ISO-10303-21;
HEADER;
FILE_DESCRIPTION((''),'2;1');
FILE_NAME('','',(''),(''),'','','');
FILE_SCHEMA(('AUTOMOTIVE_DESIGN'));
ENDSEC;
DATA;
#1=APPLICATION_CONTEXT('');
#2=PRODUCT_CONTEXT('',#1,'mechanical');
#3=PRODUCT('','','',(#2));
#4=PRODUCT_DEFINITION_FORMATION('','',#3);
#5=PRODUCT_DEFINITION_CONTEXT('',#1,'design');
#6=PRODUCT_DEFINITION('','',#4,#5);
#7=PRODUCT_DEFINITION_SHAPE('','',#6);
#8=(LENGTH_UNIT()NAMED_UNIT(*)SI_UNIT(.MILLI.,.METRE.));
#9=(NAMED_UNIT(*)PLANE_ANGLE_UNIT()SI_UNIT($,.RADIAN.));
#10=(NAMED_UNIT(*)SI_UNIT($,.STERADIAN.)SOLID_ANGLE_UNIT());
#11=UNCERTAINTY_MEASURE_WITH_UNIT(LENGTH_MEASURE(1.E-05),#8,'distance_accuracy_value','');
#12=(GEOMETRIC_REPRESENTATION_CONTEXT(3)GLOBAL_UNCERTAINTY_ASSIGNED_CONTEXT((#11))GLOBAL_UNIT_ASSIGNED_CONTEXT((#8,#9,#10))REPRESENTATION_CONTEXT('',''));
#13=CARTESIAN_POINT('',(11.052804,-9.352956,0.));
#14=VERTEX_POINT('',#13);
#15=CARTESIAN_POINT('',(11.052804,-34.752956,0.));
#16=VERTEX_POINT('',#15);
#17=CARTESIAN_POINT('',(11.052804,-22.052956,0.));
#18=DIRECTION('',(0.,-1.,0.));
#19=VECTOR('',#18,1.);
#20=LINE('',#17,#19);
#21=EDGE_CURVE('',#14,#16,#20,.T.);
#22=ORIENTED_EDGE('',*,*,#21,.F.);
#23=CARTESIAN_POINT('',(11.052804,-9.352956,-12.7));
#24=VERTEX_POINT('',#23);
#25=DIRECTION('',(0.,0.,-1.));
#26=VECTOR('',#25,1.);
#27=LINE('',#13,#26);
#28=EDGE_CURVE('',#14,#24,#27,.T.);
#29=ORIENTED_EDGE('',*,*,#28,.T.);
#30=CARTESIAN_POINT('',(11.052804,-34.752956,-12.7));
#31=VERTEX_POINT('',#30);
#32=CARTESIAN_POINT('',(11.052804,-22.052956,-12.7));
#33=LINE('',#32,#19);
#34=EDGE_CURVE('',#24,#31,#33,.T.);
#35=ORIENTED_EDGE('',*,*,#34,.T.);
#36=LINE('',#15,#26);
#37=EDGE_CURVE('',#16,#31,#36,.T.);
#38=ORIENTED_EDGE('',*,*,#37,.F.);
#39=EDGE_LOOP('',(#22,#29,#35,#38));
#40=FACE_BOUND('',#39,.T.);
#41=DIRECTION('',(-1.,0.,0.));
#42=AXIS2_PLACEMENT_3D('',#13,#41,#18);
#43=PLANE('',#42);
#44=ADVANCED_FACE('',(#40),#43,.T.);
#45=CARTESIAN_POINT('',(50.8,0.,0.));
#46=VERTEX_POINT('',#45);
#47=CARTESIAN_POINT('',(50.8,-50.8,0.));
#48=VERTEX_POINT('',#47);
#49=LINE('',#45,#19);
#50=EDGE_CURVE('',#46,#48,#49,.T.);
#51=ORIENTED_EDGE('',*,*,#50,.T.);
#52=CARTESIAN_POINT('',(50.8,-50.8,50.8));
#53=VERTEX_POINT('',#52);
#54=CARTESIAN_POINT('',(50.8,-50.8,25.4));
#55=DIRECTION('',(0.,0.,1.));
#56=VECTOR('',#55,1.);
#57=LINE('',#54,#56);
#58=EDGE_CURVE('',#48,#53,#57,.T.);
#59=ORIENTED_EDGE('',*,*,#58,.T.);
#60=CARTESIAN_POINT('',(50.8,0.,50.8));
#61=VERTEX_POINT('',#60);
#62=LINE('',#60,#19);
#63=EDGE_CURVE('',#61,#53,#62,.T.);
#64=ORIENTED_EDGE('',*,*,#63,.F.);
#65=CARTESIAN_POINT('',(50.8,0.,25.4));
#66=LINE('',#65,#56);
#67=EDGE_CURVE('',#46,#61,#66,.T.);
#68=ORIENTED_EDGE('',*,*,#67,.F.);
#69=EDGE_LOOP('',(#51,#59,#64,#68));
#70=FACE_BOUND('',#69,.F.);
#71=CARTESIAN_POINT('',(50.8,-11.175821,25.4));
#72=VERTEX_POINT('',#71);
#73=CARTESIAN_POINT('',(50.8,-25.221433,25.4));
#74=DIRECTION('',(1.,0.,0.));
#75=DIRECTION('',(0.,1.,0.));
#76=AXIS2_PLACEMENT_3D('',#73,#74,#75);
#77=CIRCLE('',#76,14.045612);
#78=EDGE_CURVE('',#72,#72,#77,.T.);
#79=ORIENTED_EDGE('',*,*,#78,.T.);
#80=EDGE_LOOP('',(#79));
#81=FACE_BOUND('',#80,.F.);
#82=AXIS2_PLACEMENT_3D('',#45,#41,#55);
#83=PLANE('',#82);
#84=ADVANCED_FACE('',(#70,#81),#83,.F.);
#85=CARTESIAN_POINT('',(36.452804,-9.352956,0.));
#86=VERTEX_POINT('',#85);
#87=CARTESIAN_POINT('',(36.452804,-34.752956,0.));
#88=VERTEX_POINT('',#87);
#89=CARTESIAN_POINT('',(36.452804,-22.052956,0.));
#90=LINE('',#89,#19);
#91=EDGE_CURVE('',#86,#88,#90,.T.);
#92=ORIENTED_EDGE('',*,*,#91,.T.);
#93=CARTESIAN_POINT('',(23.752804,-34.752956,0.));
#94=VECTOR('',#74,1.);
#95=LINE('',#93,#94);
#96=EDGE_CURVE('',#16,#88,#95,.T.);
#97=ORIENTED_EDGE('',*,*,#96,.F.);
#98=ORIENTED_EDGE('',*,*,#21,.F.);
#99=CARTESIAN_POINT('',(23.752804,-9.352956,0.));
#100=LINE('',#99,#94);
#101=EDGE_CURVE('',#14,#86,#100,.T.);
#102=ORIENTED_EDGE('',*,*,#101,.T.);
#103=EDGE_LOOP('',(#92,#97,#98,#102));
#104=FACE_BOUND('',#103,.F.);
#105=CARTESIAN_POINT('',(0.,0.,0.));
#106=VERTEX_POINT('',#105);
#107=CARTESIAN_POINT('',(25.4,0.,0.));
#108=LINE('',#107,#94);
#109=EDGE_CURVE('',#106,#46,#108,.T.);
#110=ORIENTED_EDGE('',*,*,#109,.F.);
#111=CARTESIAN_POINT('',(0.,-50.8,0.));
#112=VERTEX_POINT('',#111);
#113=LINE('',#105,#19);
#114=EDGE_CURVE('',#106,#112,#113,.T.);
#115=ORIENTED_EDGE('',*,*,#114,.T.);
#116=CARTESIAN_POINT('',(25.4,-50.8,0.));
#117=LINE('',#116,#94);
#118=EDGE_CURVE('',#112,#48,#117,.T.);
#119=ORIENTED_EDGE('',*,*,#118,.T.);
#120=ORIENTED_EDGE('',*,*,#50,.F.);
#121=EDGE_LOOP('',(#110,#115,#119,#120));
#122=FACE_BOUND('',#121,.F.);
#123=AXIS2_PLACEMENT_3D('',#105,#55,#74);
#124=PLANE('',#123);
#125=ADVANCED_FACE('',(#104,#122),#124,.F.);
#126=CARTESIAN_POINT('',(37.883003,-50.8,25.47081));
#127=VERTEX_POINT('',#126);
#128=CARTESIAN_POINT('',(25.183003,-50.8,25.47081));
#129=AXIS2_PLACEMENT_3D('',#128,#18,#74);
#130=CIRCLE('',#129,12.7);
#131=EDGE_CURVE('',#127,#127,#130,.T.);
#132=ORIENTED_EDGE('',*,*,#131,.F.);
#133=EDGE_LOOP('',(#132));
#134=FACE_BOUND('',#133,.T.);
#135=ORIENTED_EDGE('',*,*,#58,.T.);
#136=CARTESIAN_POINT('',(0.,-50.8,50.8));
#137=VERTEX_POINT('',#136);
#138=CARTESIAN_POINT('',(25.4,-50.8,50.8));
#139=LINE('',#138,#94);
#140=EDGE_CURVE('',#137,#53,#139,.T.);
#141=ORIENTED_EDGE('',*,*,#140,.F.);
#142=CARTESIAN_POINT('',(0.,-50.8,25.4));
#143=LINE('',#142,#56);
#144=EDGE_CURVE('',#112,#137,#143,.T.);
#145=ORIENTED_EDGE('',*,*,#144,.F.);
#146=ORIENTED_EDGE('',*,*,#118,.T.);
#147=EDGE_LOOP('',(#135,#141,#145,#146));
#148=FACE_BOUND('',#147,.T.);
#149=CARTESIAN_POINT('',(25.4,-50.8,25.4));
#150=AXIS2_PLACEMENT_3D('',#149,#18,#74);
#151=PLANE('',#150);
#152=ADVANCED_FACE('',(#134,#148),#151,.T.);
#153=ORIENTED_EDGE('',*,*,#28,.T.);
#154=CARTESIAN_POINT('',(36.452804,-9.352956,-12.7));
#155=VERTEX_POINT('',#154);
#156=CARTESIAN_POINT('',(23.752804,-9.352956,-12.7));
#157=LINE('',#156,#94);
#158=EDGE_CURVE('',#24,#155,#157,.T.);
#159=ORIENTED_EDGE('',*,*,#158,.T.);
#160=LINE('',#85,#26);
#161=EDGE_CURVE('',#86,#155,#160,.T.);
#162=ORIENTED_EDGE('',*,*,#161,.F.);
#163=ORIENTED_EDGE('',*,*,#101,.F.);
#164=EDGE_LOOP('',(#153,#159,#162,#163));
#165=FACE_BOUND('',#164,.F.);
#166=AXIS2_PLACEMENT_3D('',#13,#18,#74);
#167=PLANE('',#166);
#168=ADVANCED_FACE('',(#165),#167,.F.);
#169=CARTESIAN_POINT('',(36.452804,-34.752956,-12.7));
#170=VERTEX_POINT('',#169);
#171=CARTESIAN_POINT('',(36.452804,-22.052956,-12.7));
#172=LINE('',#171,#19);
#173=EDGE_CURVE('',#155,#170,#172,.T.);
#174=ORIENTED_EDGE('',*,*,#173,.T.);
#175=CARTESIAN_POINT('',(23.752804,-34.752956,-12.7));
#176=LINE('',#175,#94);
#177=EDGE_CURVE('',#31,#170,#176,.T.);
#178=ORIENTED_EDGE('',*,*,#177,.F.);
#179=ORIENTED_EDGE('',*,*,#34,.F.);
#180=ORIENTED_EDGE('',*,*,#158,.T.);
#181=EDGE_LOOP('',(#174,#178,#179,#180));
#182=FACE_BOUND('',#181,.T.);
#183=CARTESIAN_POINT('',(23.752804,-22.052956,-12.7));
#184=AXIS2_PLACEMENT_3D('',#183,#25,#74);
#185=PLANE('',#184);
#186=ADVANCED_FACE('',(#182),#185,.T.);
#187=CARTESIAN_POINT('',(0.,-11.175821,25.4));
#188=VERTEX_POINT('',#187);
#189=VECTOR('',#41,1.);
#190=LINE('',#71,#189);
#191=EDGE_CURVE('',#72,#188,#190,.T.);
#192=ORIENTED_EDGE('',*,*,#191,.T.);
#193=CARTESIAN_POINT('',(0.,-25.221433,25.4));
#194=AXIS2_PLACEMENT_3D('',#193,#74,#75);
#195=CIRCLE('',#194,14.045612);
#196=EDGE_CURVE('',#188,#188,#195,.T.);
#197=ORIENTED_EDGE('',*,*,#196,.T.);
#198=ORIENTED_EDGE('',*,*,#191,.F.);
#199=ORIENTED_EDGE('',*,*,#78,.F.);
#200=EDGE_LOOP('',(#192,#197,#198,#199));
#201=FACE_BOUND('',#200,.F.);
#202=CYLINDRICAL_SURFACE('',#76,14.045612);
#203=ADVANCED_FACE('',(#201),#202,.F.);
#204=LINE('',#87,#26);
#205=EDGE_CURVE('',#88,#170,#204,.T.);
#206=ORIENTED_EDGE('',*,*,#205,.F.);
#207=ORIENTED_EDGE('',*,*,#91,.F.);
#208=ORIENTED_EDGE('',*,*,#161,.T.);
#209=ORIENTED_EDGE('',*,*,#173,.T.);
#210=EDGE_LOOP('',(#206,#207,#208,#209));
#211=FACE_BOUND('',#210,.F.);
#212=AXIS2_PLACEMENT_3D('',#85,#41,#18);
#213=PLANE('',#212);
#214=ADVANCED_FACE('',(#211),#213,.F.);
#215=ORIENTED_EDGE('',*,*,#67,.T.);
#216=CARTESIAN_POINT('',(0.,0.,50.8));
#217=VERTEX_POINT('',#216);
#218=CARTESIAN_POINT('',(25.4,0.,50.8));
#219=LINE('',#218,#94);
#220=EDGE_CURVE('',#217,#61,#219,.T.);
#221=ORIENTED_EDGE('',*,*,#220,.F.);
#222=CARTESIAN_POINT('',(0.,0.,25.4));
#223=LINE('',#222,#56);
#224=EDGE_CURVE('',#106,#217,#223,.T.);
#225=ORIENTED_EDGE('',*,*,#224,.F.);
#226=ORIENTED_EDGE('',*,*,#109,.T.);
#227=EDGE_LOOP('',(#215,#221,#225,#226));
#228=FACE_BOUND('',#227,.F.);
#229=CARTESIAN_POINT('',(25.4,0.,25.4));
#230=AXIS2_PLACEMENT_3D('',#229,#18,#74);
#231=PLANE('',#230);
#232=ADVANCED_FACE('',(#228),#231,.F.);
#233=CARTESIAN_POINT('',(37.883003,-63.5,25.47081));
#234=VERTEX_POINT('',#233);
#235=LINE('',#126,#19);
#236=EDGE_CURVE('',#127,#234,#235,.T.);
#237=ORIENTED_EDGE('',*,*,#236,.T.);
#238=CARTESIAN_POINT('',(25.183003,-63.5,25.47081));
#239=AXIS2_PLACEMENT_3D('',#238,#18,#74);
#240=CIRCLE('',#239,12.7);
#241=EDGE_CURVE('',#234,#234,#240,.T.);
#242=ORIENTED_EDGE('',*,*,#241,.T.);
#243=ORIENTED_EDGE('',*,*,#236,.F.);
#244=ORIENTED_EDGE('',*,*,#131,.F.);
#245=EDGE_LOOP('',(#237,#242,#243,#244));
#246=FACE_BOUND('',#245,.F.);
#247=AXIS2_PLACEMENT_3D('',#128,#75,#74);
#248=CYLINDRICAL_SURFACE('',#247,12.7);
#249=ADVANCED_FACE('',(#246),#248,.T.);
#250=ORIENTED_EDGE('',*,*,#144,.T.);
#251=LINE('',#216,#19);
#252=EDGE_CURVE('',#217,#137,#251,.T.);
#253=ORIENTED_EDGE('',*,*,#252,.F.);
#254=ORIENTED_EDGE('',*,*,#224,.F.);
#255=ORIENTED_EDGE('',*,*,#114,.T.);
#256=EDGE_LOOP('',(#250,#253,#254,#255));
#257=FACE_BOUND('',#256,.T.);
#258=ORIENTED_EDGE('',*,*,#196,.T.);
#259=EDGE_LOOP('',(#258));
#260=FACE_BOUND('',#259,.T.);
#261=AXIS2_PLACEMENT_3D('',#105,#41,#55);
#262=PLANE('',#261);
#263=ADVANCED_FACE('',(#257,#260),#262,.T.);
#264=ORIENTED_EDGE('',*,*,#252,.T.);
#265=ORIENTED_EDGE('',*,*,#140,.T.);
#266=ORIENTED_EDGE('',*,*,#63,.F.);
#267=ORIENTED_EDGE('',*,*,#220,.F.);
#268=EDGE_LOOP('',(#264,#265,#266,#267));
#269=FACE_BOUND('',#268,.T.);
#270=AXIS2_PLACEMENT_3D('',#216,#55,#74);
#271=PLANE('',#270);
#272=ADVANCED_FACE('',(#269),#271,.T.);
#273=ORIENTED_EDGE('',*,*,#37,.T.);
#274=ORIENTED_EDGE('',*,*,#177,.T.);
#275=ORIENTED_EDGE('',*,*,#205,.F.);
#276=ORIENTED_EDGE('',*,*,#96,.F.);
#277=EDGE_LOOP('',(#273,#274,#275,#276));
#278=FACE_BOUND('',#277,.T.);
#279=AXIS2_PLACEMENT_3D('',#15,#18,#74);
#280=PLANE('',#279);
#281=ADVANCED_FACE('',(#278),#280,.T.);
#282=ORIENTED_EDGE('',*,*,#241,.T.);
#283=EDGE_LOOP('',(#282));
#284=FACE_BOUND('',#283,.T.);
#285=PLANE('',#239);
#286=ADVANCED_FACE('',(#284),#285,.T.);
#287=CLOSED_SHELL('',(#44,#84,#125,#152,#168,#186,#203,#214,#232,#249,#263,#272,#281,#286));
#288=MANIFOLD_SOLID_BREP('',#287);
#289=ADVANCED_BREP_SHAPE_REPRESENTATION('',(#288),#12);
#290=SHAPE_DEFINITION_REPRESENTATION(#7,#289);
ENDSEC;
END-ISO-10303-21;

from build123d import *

# Parameters (mm, degrees)
F0_W     = 50.8
F0_H     = 50.8
F1_DEPTH = 50.8
F2_R     = 12.7
F3_DEPTH = 12.7
F4_R     = 14.045612
F5_DEPTH = 50.8
F6_W     = 25.4
F6_H     = 25.4
F7_DEPTH = 12.7


with BuildPart() as f1:
    # F0 (on Front) → F1 (new body)
    with BuildSketch(Plane.XZ):
        with Locations((25.4, 25.4)):
            Rectangle(F0_W, F0_H)
    extrude(amount=F1_DEPTH)

    # F2 (on face) → F3 (join)
    with BuildSketch(Plane.XZ.offset(50.8)):
        with Locations((25.183003, 25.47081)):
            Circle(F2_R)
    extrude(amount=F3_DEPTH)

    # F4 (on face) → F5 (cut)
    with BuildSketch(Plane.YZ.offset(50.8)):
        with Locations((-25.221433, 25.4)):
            Circle(F4_R)
    extrude(amount=-F5_DEPTH, mode=Mode.SUBTRACT)

    # F6 (on face) → F7 (join)
    with BuildSketch(Plane(origin=(0, 0, 0), x_dir=(1, 0, 0), z_dir=(0, 0, -1))):
        with Locations((23.752804, 22.052956)):
            Rectangle(F6_W, F6_H)
    extrude(amount=F7_DEPTH)


solid = f1.part
